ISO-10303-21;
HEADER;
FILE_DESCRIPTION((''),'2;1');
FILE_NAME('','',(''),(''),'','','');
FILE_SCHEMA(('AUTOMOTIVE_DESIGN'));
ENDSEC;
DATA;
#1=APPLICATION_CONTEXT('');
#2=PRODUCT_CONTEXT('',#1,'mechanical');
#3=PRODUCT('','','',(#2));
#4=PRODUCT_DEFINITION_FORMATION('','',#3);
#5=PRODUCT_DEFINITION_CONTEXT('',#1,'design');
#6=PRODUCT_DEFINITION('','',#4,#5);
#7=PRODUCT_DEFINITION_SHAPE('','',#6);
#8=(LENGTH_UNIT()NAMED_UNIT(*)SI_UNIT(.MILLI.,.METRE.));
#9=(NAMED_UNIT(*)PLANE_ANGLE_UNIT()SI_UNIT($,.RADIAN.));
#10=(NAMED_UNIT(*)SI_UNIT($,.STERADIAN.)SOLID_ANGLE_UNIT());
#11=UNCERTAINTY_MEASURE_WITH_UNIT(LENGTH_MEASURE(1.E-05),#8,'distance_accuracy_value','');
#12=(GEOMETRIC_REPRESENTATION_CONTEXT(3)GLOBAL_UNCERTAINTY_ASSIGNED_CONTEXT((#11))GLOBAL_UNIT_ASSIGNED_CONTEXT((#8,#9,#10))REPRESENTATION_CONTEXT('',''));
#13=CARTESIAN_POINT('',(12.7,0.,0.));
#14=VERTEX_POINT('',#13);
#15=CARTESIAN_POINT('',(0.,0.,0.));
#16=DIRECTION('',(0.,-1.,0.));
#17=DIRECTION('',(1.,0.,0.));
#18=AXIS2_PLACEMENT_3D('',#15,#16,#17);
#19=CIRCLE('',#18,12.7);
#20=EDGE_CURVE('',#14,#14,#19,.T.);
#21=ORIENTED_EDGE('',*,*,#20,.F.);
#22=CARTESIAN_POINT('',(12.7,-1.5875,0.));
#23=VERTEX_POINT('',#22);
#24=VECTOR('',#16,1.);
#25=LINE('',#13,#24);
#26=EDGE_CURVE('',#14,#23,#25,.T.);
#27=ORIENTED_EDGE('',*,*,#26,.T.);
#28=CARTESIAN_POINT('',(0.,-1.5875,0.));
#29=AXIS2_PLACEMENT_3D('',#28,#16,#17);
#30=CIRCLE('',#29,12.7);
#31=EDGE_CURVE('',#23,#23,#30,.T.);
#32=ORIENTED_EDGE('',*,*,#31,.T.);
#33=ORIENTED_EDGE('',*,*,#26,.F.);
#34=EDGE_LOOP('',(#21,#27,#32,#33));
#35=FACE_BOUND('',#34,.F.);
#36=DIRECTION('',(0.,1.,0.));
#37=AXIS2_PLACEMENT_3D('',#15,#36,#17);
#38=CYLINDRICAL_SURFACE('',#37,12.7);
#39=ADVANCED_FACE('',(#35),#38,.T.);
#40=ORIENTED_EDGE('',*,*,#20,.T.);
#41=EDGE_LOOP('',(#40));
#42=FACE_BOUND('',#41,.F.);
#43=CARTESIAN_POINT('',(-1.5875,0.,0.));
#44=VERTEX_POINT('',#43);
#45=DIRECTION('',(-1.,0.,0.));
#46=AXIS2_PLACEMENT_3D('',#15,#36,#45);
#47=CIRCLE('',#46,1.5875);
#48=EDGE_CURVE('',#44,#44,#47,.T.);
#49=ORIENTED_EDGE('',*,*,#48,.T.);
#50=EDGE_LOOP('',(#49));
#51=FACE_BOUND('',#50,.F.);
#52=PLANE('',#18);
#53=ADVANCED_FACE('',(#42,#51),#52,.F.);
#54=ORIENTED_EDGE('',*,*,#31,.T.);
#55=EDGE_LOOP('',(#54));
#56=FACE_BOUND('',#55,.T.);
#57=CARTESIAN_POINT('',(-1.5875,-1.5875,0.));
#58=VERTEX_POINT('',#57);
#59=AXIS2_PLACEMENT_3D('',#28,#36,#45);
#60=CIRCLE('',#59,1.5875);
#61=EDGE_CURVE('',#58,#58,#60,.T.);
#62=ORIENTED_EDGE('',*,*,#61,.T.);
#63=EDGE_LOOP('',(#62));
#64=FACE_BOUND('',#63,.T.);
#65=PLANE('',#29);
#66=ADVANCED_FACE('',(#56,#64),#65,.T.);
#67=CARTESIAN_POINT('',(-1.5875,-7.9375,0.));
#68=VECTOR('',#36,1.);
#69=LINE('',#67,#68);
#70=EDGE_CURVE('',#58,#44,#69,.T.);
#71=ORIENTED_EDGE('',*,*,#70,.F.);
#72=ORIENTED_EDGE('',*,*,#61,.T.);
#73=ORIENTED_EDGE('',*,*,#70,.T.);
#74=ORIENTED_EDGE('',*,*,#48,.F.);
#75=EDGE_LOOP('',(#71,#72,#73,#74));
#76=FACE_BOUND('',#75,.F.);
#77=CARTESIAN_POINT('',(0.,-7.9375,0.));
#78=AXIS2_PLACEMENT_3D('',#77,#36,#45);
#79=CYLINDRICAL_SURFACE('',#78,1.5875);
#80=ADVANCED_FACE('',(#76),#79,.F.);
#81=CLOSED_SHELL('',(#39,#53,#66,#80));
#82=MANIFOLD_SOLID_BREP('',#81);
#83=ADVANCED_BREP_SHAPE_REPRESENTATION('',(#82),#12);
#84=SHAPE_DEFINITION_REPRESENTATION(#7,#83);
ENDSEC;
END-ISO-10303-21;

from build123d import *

# Parameters (mm, degrees)
F0_R     = 12.7
F1_DEPTH = 1.5875
F3_D     = 3.175
F3_DEPTH = 6.35


with BuildPart() as f1:
    # F0 (on Front) → F1 (new body)
    with BuildSketch(Plane.XZ):
        Circle(F0_R)
    extrude(amount=F1_DEPTH)

    # F3
    with Locations(Plane.XZ.offset(1.5875)):
        with Locations((0, 0)):
            Hole(F3_D / 2, depth=F3_DEPTH)


solid = f1.part
